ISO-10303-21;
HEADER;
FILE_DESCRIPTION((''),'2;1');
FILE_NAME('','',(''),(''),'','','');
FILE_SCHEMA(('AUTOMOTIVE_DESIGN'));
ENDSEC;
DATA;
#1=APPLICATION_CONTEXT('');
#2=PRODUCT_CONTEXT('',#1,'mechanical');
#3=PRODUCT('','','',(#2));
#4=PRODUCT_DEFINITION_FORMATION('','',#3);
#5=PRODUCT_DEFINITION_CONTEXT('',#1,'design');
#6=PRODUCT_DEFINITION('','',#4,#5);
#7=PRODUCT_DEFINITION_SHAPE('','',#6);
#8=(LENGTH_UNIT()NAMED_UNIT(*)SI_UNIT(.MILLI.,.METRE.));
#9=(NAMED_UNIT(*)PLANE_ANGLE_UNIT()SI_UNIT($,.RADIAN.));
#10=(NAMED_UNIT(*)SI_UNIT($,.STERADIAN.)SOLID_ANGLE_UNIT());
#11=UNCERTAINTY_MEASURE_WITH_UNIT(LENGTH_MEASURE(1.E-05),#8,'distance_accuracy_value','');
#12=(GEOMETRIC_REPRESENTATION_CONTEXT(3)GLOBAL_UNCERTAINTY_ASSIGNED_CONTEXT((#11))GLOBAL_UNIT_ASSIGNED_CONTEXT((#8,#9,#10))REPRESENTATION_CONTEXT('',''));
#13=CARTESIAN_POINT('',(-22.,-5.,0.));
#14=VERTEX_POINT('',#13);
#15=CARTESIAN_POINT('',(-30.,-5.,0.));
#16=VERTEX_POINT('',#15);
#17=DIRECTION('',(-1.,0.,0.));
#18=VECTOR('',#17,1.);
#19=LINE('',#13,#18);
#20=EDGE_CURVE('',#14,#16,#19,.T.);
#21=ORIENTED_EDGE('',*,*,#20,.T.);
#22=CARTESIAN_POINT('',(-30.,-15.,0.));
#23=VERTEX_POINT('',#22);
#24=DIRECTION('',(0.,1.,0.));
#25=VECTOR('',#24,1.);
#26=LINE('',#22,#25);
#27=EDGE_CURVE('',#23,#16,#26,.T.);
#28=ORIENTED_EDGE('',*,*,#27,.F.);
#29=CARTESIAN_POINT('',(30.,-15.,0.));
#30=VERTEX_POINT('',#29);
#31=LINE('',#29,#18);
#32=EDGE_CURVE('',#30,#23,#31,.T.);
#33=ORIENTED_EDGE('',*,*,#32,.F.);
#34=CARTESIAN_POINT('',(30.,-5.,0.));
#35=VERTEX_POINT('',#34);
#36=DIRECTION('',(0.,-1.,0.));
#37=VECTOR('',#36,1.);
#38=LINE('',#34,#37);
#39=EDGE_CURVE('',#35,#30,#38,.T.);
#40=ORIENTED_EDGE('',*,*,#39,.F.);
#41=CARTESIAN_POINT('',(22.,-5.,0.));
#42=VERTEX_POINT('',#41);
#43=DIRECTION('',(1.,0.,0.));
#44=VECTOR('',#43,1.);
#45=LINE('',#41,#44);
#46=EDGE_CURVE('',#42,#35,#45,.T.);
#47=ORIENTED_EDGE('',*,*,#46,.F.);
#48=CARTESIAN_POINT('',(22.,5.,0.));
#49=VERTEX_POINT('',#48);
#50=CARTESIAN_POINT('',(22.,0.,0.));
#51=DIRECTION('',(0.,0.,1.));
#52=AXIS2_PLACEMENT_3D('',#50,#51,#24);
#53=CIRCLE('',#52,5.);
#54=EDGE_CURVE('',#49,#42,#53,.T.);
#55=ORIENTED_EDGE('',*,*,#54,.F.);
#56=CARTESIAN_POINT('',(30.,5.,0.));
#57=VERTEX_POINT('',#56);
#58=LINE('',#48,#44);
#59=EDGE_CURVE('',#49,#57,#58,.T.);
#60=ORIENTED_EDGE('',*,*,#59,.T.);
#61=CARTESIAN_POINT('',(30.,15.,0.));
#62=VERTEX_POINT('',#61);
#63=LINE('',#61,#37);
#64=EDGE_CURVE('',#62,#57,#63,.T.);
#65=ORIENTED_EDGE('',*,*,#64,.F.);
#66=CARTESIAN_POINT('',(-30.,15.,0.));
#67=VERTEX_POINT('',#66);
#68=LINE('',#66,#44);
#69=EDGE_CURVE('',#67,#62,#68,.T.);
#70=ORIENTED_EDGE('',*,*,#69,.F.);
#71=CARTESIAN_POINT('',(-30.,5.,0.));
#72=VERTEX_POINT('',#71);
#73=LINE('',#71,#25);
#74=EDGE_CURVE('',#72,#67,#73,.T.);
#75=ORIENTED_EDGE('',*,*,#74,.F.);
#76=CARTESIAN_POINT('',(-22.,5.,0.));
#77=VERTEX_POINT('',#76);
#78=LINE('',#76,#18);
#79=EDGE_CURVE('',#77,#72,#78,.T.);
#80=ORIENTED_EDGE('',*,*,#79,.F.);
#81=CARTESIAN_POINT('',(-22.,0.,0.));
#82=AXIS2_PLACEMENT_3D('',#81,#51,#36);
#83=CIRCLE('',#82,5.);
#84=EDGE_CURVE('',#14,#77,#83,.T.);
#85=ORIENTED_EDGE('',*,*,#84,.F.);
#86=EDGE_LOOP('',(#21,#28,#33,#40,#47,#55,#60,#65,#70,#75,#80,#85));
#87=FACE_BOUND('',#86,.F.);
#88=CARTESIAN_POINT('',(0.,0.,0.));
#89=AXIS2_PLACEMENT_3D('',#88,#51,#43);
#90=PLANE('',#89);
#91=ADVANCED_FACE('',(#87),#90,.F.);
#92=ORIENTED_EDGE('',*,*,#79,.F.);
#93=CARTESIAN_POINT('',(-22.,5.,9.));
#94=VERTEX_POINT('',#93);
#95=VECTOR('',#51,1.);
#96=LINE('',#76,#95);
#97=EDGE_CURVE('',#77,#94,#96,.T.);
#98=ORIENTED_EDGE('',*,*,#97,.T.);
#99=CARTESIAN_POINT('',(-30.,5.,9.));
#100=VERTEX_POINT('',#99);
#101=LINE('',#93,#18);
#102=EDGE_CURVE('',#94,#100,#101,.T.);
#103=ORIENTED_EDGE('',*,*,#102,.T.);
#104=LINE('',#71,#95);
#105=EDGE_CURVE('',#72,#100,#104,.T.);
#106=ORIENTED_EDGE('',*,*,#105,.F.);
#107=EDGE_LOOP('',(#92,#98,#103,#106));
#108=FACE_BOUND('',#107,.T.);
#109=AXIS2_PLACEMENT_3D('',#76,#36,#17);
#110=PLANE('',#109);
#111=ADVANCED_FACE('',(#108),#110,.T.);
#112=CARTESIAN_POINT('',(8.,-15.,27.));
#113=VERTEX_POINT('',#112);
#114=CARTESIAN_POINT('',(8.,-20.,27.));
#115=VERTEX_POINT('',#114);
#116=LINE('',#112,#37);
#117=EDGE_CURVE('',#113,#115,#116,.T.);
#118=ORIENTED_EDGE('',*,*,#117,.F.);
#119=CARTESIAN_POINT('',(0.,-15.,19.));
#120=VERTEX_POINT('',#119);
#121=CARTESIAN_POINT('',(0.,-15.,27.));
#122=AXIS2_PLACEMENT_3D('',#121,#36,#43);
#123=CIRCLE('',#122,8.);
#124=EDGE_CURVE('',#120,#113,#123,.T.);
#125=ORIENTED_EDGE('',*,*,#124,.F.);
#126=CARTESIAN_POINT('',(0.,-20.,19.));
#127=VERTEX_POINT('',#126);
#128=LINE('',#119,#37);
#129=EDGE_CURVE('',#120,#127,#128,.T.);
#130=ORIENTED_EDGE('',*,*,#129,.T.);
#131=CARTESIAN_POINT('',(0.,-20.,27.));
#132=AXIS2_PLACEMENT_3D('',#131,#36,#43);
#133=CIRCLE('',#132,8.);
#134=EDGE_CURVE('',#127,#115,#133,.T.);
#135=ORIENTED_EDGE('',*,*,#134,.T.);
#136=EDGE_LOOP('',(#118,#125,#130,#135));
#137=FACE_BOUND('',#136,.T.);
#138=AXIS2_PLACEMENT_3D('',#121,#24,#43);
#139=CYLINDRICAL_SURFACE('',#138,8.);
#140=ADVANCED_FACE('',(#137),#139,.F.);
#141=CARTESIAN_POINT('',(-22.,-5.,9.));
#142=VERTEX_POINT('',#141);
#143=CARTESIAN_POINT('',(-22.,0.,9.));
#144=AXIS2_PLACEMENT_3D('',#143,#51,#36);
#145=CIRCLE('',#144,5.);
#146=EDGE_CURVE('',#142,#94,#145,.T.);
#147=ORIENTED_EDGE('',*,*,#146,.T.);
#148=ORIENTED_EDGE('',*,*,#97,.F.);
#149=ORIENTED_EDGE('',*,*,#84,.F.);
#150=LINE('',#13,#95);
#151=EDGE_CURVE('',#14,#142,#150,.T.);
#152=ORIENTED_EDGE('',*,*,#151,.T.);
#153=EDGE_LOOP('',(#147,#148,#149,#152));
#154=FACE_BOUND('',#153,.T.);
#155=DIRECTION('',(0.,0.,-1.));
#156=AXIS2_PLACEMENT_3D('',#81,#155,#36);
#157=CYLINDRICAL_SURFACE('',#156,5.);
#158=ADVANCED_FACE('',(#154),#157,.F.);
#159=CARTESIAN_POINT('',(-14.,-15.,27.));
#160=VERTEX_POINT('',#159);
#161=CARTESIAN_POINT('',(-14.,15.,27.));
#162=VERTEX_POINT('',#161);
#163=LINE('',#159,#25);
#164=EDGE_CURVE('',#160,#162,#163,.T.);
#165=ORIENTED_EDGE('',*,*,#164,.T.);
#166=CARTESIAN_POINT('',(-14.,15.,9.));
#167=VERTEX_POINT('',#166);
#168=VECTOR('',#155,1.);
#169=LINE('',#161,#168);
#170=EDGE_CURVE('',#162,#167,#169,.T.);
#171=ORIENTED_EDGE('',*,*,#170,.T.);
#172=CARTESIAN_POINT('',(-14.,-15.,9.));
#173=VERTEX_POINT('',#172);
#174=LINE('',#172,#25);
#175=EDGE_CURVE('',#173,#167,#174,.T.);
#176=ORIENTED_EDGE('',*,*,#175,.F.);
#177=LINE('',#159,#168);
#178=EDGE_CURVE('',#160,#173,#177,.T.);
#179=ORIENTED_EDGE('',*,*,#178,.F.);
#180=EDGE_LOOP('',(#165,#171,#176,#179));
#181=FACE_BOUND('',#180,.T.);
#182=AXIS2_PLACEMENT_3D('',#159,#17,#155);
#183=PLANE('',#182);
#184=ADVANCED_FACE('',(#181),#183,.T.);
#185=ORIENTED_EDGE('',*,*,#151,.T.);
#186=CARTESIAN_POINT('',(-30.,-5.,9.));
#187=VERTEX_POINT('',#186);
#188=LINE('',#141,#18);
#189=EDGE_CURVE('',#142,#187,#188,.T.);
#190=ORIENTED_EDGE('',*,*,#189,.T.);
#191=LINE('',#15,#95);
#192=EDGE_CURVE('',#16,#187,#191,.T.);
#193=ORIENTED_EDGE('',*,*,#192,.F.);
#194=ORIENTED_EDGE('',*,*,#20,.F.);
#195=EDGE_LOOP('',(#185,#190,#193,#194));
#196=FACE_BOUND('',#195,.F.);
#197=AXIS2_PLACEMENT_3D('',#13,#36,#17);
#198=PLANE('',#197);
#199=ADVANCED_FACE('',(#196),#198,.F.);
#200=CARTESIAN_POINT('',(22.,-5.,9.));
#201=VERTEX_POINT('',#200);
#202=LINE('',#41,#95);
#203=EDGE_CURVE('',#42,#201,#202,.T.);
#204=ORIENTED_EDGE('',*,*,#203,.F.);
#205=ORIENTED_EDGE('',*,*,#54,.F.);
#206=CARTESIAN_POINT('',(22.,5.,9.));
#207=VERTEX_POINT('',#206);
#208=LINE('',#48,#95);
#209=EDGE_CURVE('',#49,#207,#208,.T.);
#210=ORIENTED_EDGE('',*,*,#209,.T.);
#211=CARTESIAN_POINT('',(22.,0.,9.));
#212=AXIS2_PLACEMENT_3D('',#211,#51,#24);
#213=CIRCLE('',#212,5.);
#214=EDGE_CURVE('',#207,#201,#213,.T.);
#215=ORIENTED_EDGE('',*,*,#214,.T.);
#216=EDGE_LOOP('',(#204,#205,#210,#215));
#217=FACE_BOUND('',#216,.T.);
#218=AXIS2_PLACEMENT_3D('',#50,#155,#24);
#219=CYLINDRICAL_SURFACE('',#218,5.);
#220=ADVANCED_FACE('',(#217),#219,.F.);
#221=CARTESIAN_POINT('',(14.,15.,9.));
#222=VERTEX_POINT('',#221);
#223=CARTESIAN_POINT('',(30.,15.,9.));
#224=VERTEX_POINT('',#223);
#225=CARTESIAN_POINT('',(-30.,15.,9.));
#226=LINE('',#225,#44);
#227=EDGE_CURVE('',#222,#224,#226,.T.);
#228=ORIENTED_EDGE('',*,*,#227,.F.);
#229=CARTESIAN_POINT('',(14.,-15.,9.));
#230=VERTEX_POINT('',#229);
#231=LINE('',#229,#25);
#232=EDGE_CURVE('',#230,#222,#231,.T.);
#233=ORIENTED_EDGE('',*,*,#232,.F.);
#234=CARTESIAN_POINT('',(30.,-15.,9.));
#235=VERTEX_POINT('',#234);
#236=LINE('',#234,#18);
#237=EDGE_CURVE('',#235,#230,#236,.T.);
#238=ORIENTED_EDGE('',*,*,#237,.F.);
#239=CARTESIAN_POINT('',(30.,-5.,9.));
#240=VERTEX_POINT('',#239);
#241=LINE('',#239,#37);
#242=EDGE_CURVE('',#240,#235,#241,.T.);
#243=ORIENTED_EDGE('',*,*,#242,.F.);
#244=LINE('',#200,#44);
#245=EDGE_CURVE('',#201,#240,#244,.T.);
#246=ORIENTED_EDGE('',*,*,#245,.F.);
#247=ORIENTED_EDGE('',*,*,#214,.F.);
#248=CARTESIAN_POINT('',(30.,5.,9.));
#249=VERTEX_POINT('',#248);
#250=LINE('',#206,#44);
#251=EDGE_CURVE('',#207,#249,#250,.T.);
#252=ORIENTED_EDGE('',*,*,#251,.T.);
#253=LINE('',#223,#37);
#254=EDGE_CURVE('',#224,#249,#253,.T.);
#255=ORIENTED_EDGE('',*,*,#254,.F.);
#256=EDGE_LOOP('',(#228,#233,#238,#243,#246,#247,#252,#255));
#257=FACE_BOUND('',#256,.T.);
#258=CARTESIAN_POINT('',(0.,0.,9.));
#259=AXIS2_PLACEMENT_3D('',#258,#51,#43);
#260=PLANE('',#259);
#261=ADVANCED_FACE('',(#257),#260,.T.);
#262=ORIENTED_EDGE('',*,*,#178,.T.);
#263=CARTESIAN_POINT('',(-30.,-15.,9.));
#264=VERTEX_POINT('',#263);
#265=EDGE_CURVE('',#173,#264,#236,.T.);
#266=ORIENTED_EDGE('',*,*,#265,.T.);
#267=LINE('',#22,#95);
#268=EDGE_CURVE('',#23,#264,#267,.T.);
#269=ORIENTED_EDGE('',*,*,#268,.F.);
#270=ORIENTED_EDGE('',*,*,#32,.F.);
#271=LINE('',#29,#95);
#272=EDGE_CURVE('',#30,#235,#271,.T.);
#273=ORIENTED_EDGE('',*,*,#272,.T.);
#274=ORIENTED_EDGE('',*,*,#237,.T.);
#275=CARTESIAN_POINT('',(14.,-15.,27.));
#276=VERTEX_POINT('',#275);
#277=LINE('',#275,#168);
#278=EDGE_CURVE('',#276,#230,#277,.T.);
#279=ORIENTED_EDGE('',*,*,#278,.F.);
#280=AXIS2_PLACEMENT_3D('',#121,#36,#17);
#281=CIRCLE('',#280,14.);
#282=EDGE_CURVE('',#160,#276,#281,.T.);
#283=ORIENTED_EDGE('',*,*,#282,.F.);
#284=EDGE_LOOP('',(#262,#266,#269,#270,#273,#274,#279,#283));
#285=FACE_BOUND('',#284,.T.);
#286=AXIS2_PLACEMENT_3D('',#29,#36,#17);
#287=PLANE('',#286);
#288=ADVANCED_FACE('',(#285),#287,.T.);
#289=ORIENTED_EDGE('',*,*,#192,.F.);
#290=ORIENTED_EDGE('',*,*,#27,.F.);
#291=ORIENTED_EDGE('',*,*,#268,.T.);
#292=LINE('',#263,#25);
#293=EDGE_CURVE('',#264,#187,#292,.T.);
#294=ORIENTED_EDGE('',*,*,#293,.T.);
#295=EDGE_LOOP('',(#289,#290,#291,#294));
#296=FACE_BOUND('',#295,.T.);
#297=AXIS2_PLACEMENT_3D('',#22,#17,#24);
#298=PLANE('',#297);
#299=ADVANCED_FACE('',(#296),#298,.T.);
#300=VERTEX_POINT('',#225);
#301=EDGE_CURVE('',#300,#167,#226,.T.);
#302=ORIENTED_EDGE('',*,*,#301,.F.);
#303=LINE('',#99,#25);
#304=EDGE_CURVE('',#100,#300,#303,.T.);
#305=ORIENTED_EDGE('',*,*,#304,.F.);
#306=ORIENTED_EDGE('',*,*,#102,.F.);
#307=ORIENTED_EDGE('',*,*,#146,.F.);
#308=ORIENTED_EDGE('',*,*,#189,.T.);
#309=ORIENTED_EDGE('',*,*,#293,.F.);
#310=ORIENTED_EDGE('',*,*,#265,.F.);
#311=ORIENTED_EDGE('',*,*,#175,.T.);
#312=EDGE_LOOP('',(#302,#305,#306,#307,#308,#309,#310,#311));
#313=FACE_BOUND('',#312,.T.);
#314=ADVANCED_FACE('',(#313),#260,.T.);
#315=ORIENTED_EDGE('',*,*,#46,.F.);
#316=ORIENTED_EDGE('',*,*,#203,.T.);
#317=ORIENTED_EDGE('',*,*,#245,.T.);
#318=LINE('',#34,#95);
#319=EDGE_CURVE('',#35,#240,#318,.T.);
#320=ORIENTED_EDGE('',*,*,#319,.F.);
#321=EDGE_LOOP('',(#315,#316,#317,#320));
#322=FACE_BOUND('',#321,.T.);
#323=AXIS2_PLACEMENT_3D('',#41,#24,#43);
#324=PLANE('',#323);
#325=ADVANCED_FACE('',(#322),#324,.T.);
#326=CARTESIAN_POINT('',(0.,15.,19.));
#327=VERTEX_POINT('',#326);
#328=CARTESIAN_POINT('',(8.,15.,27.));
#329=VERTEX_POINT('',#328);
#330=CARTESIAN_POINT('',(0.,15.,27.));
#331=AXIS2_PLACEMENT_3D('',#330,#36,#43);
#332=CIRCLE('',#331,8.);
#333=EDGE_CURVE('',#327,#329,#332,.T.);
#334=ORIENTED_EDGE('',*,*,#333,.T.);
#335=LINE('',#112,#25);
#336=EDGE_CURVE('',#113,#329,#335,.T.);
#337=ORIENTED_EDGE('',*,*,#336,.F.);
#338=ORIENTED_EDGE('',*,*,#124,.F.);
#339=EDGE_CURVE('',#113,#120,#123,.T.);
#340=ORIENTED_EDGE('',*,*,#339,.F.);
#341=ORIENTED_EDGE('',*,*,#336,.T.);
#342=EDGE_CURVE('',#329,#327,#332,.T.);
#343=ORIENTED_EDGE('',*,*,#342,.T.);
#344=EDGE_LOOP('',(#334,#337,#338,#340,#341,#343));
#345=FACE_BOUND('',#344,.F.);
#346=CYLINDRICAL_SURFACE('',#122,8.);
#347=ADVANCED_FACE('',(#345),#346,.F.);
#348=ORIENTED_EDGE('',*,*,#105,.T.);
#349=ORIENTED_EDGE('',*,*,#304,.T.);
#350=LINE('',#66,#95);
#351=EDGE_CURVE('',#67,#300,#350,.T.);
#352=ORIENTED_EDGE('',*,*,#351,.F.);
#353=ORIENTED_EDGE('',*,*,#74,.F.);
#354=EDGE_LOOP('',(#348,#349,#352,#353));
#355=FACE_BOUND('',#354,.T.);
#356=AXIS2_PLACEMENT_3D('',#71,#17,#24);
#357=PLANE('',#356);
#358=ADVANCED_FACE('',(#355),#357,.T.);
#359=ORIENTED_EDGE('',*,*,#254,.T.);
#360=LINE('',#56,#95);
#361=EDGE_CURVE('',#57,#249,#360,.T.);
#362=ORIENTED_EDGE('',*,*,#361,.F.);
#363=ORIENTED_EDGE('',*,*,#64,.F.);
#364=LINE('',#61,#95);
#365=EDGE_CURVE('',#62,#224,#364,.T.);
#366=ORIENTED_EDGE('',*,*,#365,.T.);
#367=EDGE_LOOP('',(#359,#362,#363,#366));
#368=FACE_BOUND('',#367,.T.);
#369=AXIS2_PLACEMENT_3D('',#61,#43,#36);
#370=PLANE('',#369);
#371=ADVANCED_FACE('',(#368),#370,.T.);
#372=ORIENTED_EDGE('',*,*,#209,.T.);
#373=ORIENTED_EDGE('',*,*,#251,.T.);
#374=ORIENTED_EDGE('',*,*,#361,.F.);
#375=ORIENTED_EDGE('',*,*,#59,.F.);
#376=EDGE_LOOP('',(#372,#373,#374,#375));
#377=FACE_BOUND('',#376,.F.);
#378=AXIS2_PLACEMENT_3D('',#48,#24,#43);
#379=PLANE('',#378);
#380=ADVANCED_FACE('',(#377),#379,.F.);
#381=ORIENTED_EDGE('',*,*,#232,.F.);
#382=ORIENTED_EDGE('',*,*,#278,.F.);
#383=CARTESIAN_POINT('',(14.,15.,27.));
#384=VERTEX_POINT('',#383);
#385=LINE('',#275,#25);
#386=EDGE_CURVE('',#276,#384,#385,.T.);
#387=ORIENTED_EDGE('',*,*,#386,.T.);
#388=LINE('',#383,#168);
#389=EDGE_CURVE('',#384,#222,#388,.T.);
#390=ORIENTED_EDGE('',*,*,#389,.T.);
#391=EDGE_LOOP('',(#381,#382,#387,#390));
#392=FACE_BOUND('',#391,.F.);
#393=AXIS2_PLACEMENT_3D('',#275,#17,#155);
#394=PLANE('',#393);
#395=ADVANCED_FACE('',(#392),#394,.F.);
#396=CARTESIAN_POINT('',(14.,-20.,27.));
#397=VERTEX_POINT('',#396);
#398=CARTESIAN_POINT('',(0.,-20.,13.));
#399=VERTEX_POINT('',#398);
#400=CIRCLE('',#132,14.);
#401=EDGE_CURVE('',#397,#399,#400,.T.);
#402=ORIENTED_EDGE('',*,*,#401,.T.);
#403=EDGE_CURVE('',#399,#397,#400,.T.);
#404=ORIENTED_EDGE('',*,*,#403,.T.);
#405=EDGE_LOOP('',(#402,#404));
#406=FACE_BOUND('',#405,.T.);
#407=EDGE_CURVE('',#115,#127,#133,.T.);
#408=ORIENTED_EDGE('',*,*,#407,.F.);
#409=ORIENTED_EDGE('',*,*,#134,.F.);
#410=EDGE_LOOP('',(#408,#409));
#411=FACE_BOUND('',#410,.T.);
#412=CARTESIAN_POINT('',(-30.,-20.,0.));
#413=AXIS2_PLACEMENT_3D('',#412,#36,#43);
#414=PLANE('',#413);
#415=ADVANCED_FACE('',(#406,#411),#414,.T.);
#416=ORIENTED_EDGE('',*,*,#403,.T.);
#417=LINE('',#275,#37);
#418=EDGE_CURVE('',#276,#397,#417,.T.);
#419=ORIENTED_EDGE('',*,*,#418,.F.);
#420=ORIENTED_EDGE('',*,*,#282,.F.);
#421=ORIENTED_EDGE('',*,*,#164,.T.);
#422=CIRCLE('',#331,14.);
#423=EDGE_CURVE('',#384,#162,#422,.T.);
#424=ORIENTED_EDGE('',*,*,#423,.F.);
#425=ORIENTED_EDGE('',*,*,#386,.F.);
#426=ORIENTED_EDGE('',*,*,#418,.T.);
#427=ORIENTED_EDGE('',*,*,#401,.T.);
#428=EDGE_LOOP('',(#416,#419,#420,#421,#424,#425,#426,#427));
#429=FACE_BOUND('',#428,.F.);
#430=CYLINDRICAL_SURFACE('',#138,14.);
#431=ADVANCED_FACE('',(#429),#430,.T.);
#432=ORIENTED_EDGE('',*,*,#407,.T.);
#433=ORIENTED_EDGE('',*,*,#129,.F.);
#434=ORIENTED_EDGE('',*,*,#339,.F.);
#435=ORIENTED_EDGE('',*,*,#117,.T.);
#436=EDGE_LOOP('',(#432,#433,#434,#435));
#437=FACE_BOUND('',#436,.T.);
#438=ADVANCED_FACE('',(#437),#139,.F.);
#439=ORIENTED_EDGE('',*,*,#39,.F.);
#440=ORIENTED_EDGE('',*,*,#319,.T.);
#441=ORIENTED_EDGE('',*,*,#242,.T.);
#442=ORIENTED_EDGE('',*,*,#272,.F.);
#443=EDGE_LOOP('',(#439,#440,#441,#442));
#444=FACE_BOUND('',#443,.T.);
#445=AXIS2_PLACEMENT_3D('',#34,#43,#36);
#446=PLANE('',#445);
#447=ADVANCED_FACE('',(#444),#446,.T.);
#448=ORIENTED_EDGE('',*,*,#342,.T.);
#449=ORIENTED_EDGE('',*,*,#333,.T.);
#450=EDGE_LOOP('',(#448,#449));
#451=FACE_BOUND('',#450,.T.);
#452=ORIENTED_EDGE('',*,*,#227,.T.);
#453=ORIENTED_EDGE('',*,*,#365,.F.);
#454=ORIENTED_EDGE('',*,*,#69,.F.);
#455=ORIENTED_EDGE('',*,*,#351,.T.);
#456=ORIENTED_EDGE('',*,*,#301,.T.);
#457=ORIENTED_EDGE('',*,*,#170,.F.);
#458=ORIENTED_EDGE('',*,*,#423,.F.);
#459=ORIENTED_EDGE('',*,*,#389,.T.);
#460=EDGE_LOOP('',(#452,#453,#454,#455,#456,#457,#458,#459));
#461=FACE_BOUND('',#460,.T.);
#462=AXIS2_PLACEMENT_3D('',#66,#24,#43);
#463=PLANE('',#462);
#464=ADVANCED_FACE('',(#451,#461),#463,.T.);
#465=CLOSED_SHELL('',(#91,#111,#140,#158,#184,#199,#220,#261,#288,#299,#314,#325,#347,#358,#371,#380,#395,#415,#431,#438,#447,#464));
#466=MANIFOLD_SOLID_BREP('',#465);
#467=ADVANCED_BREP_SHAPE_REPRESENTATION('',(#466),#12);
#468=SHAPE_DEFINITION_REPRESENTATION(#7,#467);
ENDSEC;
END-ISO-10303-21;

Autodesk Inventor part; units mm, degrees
ref_plane "YZ Plane" through (0, 0, 0) normal (1, 0, 0) x (0, 1, 0)
ref_plane "XZ Plane" through (0, 0, 0) normal (0, 1, 0) x (-1, 0, 0)
ref_plane "XY Plane" through (0, 0, 0) normal (0, 0, 1) x (1, 0, 0)
sketch "草图1" plane through (0, 0, 0) normal (0, 0, 1) x (1, 0, 0)
  line L0 (-30, 15) -> (30, 15)
  line L1 (30, -15) -> (-30, -15)
  line L2 (-30, 15) -> (30, -15) construction
  line L3 (30, 15) -> (-30, -15) construction
  arc A0 (-22, -5) -> (-22, 5) centre (-22, 0) ccw
  line L4 (-22, 5) -> (-30, 5)
  line L5 (-22, -5) -> (-30, -5)
  line L6 (-30, -15) -> (-30, -5)
  line L7 (-30, 5) -> (-30, 15)
  arc A1 (22, 5) -> (22, -5) centre (22, 0) ccw
  line L8 (22, 5) -> (30, 5)
  line L9 (22, -5) -> (30, -5)
  line L10 (30, 15) -> (30, 5)
  line L11 (30, -5) -> (30, -15)
  point P0 (0, 0)
  dimension "d0" = 60
  dimension "d1" = 30
  dimension "d3" = 10
  dimension "d5" = 10
extrude "拉伸1" add sketch "草图1" along normal blind 9
sketch "草图2" plane through (-30, -15, 0) normal (0, -1, 0) x (1, 0, 0)
  line L0 (30, 0) -> (30, 27)
  circle A0 centre (30, 27) radius 8
  circle A1 centre (30, 27) radius 14
  line L1 (60, 9) -> (0, 9) projected
  line L2 (44, 27) -> (44, 9)
  line L3 (16, 27) -> (16, 9)
  dimension "d8" = 27
  dimension "d9" = 16
  dimension "d10" = 28
extrude "拉伸2" add sketch "草图2" against normal blind 30
sketch "草图3" plane through (-30, -15, 0) normal (0, -1, 0) x (1, 0, 0)
  line L0 (30, 0) -> (30, 27)
  circle A0 centre (30, 27) radius 14
  circle A1 centre (30, 27) radius 8
  dimension "d13" = 27
  dimension "d14" = 28
  dimension "d15" = 16
extrude "拉伸3" add sketch "草图3" along normal blind 5
properties part number "2-5"
